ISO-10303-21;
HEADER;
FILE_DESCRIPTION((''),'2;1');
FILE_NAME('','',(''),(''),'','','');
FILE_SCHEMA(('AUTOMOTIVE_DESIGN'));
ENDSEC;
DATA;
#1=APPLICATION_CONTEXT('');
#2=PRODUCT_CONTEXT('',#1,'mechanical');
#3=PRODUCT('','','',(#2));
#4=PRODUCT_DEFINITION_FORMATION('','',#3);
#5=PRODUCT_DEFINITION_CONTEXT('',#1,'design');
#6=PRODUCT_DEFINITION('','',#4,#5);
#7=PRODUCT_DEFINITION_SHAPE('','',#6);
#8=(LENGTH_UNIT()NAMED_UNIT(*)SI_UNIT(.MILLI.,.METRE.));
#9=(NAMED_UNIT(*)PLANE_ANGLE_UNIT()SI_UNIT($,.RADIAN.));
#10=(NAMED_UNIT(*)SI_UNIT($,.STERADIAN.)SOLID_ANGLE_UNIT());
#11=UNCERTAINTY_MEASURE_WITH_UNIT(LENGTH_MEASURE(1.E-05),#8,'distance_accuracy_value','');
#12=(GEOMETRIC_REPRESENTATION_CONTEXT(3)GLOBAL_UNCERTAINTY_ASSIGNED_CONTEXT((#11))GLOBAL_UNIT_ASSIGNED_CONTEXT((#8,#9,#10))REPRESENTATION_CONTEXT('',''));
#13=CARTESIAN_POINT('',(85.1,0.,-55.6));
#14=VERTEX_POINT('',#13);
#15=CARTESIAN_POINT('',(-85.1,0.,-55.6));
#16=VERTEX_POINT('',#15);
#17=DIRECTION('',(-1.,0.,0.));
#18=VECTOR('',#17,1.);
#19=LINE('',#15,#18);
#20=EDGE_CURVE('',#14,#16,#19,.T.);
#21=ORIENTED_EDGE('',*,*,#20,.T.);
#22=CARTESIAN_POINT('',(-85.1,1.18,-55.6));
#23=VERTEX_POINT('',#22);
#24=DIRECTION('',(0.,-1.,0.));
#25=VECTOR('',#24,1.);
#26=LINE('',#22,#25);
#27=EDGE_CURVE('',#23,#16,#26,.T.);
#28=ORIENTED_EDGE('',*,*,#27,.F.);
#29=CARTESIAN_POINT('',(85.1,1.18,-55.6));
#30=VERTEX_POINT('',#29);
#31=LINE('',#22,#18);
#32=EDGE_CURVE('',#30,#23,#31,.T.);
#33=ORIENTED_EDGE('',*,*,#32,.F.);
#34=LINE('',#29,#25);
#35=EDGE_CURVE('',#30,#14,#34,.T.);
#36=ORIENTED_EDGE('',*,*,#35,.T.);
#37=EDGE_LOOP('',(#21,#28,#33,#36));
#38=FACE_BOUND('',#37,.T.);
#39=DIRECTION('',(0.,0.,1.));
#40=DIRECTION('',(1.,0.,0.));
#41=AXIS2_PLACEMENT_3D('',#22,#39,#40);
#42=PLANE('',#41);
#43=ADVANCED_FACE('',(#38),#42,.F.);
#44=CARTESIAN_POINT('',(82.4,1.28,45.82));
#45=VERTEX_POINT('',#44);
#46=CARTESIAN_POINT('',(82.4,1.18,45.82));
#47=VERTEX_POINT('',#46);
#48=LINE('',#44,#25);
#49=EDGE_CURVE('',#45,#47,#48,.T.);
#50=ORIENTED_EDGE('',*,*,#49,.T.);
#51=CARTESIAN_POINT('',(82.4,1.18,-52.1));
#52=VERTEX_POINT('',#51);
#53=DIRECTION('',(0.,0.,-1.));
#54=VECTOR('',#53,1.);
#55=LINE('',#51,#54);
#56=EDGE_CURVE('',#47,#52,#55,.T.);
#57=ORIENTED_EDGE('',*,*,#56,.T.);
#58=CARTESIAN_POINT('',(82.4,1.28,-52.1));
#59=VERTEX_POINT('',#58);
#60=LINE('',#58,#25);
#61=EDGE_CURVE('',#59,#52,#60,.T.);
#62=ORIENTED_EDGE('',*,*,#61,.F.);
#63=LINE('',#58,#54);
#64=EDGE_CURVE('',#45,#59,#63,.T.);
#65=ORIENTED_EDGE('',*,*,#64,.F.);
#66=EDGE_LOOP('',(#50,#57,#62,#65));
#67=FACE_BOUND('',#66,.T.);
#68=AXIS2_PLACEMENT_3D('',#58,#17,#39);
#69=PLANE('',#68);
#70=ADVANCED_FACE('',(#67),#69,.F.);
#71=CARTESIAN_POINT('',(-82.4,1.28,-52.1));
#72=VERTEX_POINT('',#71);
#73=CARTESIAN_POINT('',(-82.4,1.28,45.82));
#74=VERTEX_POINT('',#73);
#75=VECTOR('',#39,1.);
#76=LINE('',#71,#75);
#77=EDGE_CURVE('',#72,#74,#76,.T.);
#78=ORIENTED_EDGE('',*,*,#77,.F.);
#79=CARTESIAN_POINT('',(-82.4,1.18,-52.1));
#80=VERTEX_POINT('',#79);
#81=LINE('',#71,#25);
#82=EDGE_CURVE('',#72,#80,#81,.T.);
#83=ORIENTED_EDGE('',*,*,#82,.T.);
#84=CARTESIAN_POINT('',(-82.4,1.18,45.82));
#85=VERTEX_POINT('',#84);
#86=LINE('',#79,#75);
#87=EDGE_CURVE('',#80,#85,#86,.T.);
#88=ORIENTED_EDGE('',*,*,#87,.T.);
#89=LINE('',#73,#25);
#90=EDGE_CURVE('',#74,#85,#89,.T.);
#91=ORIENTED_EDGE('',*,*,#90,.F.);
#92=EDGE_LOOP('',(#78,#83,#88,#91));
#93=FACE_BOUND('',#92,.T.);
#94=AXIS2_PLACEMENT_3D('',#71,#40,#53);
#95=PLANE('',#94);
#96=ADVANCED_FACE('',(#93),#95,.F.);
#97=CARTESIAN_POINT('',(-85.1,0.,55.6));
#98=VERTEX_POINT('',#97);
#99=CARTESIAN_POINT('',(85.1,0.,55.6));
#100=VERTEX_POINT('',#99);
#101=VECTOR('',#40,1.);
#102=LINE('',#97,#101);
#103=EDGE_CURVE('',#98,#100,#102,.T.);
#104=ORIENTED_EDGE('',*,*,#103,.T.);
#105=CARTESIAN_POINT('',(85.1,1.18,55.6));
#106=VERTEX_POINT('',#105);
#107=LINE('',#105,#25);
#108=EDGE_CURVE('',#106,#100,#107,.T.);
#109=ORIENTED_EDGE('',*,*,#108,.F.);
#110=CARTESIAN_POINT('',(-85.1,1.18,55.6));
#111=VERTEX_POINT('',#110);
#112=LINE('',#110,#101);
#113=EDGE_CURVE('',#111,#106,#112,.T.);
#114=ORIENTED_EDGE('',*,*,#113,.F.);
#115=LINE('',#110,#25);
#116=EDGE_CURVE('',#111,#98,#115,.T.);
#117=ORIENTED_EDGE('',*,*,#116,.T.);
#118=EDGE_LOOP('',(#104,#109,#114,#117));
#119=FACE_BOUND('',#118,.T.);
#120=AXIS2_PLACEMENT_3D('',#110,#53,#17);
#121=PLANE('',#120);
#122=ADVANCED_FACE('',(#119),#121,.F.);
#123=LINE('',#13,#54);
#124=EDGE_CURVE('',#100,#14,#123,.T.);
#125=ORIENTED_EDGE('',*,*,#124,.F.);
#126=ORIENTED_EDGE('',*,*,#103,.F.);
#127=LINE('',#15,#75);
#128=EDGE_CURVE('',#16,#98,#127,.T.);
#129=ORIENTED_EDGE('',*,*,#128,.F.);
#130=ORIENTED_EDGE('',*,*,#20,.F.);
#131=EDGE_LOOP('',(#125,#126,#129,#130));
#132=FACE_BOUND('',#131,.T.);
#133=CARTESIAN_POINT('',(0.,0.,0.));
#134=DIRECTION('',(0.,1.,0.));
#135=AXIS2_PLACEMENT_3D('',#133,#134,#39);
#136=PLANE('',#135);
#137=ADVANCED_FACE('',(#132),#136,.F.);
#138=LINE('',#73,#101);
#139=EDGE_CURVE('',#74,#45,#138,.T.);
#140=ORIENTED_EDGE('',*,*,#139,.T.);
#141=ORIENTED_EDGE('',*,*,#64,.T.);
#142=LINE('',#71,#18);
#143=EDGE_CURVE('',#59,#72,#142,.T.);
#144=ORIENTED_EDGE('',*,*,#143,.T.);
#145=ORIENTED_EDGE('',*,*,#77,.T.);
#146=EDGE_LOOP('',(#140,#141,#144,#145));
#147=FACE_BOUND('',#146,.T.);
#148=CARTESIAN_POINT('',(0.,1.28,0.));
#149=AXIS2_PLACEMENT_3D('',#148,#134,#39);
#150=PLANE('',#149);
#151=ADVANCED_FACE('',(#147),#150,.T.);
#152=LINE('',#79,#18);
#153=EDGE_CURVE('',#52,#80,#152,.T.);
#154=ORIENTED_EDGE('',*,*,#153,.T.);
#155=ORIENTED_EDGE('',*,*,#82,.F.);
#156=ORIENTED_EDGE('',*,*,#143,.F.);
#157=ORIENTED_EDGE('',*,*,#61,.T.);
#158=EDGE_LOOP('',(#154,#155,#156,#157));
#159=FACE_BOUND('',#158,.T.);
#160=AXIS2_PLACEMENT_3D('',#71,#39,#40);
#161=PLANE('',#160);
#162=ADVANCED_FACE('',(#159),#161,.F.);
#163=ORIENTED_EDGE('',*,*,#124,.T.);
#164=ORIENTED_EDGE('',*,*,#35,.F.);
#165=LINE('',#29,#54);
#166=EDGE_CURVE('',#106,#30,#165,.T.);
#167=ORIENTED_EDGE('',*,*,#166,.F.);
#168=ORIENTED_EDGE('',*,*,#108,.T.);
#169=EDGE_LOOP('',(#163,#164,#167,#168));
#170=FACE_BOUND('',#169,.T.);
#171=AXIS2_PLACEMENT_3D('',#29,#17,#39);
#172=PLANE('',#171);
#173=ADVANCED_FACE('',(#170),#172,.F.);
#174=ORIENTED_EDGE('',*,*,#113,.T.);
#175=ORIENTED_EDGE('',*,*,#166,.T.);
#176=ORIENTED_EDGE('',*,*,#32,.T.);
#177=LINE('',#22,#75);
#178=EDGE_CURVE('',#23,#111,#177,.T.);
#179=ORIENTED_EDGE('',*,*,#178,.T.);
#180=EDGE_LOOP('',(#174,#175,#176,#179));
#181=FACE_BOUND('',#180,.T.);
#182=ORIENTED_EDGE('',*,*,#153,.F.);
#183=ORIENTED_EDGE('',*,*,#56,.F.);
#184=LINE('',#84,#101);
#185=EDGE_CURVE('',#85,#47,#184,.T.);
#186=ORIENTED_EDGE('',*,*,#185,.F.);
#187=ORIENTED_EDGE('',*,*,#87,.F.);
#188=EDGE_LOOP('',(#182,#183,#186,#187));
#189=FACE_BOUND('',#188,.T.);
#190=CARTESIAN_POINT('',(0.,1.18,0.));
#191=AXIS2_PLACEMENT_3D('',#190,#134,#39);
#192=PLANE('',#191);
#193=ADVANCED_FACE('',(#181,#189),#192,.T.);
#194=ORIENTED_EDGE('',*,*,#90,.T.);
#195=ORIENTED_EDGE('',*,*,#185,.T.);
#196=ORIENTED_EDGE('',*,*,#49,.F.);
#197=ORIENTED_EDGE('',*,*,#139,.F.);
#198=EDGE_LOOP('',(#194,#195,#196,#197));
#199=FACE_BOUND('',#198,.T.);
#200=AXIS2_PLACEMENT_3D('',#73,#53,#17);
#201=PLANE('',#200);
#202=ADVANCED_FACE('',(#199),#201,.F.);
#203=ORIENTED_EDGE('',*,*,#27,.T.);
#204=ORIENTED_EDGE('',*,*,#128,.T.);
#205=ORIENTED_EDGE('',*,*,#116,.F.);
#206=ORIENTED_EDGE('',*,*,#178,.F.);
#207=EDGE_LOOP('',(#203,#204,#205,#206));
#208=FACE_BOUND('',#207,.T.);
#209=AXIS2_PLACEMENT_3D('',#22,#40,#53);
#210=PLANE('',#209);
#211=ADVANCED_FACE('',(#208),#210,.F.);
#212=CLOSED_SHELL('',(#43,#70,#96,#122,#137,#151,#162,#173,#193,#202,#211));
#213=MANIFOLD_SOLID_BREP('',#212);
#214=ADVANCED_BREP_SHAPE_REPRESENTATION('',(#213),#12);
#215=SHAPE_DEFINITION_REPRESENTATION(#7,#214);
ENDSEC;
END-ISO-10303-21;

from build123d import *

# Parameters (mm, degrees)
SKETCH_1_W      = 170.2
SKETCH_1_H      = 111.2
EXTRUDE_1_DEPTH = 1.18
SKETCH_2_W      = 164.8
SKETCH_2_H      = 97.92
EXTRUDE_2_DEPTH = 0.1


with BuildPart() as part:
    # 草圖1 → 填料-伸長1 (new body)
    with BuildSketch(Plane(origin=(0, 0, 0), x_dir=(1, 0, 0), z_dir=(0, 1, 0))):
        Rectangle(SKETCH_1_W, SKETCH_1_H)
    extrude(amount=EXTRUDE_1_DEPTH)

    # 草圖2 → 填料-伸長2 (add)
    with BuildSketch(Plane(origin=(0, 1.18, 0), x_dir=(1, 0, 0), z_dir=(0, 1, 0))):
        with Locations((0, 3.14)):
            Rectangle(SKETCH_2_W, SKETCH_2_H)
    extrude(amount=EXTRUDE_2_DEPTH)


solid = part.part
